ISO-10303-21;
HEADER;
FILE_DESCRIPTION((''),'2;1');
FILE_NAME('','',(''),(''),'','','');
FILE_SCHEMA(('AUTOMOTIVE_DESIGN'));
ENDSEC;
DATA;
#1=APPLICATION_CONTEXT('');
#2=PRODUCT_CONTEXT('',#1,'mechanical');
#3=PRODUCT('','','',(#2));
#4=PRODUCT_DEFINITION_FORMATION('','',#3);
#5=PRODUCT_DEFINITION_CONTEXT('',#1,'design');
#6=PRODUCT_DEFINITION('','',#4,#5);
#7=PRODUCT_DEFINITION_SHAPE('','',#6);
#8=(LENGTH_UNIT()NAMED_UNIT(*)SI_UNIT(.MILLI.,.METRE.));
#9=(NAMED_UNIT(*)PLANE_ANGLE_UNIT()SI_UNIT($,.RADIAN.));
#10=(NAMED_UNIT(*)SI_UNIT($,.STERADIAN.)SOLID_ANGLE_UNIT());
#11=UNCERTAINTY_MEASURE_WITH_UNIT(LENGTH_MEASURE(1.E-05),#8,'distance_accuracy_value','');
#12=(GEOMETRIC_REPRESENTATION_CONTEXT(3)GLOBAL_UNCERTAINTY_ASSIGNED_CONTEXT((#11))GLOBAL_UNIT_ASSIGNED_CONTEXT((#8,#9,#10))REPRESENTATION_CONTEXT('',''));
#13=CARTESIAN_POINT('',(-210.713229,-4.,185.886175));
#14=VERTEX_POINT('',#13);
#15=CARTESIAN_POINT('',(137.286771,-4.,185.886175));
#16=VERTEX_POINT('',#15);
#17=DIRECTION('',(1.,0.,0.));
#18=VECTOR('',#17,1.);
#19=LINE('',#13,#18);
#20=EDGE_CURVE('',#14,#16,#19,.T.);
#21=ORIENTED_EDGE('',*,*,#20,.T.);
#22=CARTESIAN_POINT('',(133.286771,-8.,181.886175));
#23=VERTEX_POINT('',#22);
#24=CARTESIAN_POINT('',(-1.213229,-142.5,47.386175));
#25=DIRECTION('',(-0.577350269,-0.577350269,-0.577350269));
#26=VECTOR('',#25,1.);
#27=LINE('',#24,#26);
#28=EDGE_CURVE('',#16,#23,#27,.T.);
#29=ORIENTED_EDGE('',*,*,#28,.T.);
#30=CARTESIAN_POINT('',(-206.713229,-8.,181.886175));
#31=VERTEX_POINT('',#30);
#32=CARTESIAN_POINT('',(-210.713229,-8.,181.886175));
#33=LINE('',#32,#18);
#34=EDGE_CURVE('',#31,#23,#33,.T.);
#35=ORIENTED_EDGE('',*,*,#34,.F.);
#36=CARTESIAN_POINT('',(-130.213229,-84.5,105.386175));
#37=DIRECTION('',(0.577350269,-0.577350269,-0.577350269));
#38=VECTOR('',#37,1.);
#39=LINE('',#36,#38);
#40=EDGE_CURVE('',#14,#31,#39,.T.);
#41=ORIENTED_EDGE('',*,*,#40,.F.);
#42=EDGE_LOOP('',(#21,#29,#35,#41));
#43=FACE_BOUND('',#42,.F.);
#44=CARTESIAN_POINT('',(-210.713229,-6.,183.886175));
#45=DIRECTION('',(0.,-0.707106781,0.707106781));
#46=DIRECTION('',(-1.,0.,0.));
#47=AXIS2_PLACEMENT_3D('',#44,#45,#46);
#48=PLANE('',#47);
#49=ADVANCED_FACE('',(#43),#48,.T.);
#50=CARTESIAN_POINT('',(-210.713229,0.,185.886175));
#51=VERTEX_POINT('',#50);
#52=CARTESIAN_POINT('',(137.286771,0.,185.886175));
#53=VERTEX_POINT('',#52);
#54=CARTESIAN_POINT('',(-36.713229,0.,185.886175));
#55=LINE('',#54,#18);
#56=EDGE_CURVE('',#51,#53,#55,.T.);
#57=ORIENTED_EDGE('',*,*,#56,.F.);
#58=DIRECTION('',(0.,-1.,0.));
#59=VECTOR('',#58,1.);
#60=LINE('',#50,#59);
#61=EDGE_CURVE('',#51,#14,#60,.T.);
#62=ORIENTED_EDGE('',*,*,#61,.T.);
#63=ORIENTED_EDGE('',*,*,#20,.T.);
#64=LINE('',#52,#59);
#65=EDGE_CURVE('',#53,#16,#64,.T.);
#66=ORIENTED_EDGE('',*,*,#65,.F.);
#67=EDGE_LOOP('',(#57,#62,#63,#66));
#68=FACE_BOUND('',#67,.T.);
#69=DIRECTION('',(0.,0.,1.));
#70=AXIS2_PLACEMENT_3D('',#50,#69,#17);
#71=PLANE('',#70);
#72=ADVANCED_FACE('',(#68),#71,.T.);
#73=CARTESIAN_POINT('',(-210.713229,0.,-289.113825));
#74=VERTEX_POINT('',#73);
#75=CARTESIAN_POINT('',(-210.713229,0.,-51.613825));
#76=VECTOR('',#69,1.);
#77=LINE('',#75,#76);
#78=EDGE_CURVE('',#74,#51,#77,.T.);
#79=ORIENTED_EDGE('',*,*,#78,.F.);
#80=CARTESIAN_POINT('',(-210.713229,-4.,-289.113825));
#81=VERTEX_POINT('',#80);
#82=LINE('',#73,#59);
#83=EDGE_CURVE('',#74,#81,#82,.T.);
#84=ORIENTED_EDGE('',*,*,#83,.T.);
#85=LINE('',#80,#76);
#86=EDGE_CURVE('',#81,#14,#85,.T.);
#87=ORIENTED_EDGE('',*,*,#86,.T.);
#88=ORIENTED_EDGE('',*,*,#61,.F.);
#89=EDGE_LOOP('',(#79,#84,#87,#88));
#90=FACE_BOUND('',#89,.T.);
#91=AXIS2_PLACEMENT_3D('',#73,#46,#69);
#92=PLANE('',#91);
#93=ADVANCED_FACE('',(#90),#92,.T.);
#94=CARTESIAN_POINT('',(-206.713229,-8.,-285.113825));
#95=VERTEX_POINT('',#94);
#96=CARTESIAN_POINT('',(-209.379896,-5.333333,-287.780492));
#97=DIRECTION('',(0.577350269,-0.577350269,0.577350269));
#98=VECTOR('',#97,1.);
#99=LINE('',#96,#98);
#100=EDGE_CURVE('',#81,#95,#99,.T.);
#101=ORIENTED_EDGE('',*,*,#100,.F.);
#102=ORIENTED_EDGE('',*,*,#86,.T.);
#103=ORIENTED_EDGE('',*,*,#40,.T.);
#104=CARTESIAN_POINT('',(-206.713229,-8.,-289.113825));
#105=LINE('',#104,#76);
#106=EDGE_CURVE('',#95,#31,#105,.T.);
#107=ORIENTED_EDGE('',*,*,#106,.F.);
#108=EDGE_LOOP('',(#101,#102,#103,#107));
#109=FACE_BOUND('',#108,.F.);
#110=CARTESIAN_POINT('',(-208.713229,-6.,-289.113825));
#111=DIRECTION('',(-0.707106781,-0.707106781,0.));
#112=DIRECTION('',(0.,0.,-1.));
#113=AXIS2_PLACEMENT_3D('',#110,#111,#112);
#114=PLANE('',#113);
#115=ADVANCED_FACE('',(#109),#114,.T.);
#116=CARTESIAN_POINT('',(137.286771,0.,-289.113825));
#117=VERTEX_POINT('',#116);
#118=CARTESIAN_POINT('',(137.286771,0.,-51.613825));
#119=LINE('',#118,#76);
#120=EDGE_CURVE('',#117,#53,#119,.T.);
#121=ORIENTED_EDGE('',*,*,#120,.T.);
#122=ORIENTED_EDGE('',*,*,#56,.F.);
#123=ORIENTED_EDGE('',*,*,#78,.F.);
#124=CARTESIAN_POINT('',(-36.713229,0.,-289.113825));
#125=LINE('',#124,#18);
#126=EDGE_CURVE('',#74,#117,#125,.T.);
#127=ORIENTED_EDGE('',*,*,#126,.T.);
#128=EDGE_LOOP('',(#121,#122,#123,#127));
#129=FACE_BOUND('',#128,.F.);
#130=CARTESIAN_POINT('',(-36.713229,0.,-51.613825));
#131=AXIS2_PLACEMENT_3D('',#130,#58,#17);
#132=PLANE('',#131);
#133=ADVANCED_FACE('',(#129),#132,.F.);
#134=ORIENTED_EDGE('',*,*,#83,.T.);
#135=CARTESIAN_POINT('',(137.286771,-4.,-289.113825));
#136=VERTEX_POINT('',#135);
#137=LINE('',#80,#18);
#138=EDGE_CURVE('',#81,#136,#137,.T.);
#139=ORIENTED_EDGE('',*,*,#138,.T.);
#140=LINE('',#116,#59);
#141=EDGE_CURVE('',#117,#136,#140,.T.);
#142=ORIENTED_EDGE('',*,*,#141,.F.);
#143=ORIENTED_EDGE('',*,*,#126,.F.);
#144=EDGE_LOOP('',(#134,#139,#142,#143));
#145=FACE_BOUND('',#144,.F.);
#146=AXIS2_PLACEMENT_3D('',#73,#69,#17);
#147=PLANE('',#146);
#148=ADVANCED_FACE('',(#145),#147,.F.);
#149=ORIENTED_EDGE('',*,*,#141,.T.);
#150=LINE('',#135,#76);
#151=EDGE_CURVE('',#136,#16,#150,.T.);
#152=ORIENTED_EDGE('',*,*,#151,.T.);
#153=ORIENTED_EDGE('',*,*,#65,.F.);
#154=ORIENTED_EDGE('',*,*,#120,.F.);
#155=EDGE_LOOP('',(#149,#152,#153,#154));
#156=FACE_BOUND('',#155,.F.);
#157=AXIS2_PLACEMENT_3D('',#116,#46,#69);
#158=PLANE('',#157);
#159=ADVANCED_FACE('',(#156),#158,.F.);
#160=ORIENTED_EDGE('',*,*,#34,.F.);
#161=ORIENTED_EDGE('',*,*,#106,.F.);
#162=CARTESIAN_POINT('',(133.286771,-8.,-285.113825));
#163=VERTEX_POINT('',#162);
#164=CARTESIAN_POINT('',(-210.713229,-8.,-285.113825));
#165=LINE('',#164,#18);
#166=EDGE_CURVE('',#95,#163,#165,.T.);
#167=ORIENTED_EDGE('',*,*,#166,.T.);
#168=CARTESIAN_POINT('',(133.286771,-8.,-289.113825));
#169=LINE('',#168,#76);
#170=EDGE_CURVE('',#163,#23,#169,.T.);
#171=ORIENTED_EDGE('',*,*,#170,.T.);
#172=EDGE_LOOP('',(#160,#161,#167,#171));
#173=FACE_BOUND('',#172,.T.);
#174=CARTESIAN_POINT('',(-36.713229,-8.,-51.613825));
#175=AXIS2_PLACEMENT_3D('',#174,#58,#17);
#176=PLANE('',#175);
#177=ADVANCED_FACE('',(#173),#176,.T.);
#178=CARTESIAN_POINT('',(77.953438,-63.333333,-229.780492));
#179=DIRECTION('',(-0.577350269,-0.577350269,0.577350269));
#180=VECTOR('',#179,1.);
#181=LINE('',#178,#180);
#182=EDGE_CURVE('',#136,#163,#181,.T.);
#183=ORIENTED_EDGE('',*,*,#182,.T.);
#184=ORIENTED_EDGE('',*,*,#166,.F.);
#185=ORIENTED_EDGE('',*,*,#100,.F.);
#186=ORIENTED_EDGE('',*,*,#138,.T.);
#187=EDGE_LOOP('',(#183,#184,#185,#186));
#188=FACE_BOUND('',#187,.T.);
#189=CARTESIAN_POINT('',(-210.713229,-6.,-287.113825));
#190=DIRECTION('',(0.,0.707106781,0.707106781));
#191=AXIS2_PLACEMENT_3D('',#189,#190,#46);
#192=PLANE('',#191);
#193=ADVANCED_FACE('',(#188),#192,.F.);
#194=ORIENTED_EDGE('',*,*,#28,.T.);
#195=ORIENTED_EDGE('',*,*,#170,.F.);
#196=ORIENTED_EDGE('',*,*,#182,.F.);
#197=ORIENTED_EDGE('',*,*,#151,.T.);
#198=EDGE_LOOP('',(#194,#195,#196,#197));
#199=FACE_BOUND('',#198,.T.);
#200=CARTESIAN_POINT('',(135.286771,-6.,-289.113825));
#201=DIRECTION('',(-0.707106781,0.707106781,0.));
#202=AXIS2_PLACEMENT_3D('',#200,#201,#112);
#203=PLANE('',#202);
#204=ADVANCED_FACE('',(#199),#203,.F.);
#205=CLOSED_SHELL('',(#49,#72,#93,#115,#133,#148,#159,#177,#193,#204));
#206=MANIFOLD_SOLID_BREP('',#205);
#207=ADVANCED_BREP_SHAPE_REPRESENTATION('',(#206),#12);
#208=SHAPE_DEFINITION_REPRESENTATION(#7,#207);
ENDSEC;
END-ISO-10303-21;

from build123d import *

# Parameters (mm, degrees)
SKETCH_W     = 348
SKETCH_H     = 475
PAD_DEPTH    = 8
CHAMFER_SIZE = 4


with BuildPart() as part:
    # Sketch → Pad (new body)
    with BuildSketch(Plane.XZ):
        with Locations((-36.713229, -51.613825)):
            Rectangle(SKETCH_W, SKETCH_H)
    extrude(amount=PAD_DEPTH)

    # Chamfer
    chamfer_edges = [part.edges().sort_by_distance(p)[0] for p in [
        (-36.713229, -8, -289.113825),
        (137.286771, -8, -51.613825),
        (-36.713229, -8, 185.886175),
        (-210.713229, -8, -51.613825),
    ]]
    chamfer(chamfer_edges, length=CHAMFER_SIZE)


solid = part.part
